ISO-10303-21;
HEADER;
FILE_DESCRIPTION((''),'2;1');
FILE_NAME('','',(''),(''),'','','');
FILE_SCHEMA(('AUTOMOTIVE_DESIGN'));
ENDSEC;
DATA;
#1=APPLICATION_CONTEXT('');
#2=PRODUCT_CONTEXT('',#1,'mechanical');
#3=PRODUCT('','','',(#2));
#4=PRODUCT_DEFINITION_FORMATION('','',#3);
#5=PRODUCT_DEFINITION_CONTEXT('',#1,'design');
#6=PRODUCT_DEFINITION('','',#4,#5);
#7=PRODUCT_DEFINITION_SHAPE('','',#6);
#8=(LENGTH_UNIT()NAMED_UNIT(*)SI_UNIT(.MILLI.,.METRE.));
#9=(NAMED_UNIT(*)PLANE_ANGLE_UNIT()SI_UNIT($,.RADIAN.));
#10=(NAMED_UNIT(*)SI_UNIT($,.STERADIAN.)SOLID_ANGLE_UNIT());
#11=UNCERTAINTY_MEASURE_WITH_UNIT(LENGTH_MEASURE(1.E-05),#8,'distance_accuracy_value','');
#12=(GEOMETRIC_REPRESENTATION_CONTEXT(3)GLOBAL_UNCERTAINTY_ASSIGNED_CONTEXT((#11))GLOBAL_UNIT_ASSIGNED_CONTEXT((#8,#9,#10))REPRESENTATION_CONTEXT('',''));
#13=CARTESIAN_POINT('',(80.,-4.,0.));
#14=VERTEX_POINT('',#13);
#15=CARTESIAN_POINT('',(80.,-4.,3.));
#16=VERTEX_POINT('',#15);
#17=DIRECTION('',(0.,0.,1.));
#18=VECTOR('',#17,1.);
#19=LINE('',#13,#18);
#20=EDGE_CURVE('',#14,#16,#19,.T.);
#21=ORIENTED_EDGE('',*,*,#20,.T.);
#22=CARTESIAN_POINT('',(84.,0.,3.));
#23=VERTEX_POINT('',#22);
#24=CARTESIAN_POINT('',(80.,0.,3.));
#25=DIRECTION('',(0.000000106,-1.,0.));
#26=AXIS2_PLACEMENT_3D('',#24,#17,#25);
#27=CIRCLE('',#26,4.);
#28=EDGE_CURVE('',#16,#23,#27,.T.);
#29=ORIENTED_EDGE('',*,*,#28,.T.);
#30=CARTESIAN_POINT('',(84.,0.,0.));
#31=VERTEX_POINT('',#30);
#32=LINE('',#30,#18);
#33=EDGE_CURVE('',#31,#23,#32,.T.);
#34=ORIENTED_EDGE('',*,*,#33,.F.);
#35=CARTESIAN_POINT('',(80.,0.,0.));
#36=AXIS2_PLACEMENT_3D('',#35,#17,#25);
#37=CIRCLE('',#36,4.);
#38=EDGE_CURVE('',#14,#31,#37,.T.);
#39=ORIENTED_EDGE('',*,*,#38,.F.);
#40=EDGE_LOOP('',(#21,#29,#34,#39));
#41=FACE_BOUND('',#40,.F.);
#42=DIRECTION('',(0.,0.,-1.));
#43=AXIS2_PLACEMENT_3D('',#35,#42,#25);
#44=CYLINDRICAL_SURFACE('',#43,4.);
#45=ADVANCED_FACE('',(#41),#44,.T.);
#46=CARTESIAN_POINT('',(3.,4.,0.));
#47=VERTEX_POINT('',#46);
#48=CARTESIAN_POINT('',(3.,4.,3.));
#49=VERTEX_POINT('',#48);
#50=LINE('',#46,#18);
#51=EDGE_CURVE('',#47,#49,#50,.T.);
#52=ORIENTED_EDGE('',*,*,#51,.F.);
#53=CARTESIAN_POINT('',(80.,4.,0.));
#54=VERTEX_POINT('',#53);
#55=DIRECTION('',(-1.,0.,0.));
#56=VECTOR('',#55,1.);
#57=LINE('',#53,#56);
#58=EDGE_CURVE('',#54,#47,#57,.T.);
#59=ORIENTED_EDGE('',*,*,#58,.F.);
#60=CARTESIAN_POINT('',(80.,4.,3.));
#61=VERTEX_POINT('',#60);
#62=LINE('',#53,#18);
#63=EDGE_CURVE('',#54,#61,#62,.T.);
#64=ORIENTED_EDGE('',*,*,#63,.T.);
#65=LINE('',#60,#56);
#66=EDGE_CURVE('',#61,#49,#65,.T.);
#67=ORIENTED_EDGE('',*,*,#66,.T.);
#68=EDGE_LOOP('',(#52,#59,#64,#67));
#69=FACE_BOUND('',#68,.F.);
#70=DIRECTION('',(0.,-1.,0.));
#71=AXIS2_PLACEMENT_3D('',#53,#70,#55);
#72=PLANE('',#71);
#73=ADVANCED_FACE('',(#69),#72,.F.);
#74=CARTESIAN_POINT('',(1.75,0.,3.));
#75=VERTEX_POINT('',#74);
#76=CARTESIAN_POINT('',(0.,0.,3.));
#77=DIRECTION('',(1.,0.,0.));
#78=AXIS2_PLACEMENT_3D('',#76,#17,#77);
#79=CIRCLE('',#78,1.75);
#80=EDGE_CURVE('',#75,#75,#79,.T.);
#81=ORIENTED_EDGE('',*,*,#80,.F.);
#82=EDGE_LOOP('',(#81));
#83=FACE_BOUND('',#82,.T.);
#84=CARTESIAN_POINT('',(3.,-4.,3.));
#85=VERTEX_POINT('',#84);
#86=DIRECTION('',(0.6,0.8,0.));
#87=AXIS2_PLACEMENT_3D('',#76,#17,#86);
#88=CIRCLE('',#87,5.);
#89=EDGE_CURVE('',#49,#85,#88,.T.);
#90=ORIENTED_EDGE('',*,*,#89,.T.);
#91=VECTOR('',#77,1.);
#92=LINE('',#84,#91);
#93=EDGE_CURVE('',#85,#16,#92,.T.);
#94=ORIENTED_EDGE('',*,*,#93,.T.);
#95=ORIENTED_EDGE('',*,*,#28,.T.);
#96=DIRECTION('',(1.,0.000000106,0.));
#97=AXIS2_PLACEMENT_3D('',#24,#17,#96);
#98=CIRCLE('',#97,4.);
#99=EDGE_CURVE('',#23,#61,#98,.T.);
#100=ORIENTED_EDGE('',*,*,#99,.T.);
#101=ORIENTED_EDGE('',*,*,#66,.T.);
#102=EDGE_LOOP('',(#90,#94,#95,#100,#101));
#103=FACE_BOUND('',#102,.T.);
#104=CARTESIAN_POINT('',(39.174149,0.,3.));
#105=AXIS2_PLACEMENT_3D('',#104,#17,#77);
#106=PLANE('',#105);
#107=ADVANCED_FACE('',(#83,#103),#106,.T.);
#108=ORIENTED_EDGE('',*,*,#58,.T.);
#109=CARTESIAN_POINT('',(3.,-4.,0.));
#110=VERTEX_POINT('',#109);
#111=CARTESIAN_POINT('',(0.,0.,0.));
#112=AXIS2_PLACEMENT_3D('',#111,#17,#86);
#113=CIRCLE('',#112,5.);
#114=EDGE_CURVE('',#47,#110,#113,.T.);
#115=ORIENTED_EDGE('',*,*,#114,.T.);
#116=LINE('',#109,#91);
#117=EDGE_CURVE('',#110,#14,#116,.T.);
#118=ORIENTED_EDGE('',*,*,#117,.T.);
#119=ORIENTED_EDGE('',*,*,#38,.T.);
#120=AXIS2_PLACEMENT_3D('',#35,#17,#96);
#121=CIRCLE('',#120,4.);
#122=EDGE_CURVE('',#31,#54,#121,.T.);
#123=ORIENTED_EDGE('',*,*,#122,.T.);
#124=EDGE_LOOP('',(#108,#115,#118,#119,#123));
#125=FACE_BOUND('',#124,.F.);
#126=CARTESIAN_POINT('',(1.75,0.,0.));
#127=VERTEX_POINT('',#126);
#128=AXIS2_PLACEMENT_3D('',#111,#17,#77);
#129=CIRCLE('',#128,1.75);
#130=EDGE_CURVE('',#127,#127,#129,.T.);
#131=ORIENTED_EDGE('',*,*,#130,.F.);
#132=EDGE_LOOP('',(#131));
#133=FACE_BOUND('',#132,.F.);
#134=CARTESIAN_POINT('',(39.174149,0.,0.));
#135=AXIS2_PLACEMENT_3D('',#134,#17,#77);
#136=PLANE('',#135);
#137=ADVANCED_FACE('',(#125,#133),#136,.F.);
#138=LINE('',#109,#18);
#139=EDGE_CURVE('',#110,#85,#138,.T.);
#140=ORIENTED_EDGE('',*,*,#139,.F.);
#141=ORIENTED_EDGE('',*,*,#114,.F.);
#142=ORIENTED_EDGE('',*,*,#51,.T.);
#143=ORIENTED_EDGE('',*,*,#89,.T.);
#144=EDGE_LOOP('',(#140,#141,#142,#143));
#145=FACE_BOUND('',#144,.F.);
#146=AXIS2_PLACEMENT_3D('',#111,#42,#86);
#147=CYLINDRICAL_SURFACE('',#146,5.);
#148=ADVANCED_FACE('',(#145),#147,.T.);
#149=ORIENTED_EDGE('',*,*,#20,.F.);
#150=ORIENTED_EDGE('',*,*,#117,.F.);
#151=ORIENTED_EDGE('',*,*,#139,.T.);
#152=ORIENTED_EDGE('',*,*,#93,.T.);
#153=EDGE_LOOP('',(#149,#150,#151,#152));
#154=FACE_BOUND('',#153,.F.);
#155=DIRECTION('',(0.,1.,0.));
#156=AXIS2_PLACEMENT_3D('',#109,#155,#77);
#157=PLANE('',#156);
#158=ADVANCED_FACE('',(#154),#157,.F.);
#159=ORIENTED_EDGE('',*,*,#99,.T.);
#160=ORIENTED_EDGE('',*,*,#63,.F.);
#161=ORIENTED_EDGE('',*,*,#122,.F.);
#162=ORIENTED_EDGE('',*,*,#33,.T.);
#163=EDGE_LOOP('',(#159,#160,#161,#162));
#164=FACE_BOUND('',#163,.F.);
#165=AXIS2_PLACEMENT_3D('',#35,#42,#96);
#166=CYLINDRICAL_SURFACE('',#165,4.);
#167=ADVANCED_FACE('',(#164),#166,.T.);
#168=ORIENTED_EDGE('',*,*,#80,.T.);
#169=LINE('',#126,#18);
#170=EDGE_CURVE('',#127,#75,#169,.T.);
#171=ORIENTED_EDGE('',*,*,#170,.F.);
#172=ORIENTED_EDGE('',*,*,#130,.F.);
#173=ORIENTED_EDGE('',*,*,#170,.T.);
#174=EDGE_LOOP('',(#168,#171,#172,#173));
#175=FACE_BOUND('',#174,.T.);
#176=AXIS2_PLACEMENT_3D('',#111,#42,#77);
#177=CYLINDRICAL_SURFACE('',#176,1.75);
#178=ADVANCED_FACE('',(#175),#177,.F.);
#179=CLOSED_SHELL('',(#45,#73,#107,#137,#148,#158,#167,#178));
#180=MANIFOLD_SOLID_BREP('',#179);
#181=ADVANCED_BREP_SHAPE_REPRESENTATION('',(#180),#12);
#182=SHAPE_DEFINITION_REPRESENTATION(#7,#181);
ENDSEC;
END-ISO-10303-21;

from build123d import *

# Parameters (mm, degrees)
F0_R     = 1.75
F1_DEPTH = 3


with BuildPart() as f1:
    # F0 (on Top) → F1 (new body)
    with BuildSketch(Plane.XY):
        with BuildLine():
            Line((80, 4), (3, 4))
            ThreePointArc((3, 4), (-5, 0), (3, -4))
            Line((3, -4), (80, -4))
            ThreePointArc((80, -4), (76, 0), (80, 4))
        make_face()
        Circle(F0_R, mode=Mode.SUBTRACT)
        with BuildLine():
            ThreePointArc((84, 0), (82.828427, 2.828427), (80, 4))
            ThreePointArc((80, 4), (76, 0), (80, -4))
            ThreePointArc((80, -4), (82.828427, -2.828427), (84, 0))
        make_face()
    extrude(amount=F1_DEPTH)


solid = f1.part
